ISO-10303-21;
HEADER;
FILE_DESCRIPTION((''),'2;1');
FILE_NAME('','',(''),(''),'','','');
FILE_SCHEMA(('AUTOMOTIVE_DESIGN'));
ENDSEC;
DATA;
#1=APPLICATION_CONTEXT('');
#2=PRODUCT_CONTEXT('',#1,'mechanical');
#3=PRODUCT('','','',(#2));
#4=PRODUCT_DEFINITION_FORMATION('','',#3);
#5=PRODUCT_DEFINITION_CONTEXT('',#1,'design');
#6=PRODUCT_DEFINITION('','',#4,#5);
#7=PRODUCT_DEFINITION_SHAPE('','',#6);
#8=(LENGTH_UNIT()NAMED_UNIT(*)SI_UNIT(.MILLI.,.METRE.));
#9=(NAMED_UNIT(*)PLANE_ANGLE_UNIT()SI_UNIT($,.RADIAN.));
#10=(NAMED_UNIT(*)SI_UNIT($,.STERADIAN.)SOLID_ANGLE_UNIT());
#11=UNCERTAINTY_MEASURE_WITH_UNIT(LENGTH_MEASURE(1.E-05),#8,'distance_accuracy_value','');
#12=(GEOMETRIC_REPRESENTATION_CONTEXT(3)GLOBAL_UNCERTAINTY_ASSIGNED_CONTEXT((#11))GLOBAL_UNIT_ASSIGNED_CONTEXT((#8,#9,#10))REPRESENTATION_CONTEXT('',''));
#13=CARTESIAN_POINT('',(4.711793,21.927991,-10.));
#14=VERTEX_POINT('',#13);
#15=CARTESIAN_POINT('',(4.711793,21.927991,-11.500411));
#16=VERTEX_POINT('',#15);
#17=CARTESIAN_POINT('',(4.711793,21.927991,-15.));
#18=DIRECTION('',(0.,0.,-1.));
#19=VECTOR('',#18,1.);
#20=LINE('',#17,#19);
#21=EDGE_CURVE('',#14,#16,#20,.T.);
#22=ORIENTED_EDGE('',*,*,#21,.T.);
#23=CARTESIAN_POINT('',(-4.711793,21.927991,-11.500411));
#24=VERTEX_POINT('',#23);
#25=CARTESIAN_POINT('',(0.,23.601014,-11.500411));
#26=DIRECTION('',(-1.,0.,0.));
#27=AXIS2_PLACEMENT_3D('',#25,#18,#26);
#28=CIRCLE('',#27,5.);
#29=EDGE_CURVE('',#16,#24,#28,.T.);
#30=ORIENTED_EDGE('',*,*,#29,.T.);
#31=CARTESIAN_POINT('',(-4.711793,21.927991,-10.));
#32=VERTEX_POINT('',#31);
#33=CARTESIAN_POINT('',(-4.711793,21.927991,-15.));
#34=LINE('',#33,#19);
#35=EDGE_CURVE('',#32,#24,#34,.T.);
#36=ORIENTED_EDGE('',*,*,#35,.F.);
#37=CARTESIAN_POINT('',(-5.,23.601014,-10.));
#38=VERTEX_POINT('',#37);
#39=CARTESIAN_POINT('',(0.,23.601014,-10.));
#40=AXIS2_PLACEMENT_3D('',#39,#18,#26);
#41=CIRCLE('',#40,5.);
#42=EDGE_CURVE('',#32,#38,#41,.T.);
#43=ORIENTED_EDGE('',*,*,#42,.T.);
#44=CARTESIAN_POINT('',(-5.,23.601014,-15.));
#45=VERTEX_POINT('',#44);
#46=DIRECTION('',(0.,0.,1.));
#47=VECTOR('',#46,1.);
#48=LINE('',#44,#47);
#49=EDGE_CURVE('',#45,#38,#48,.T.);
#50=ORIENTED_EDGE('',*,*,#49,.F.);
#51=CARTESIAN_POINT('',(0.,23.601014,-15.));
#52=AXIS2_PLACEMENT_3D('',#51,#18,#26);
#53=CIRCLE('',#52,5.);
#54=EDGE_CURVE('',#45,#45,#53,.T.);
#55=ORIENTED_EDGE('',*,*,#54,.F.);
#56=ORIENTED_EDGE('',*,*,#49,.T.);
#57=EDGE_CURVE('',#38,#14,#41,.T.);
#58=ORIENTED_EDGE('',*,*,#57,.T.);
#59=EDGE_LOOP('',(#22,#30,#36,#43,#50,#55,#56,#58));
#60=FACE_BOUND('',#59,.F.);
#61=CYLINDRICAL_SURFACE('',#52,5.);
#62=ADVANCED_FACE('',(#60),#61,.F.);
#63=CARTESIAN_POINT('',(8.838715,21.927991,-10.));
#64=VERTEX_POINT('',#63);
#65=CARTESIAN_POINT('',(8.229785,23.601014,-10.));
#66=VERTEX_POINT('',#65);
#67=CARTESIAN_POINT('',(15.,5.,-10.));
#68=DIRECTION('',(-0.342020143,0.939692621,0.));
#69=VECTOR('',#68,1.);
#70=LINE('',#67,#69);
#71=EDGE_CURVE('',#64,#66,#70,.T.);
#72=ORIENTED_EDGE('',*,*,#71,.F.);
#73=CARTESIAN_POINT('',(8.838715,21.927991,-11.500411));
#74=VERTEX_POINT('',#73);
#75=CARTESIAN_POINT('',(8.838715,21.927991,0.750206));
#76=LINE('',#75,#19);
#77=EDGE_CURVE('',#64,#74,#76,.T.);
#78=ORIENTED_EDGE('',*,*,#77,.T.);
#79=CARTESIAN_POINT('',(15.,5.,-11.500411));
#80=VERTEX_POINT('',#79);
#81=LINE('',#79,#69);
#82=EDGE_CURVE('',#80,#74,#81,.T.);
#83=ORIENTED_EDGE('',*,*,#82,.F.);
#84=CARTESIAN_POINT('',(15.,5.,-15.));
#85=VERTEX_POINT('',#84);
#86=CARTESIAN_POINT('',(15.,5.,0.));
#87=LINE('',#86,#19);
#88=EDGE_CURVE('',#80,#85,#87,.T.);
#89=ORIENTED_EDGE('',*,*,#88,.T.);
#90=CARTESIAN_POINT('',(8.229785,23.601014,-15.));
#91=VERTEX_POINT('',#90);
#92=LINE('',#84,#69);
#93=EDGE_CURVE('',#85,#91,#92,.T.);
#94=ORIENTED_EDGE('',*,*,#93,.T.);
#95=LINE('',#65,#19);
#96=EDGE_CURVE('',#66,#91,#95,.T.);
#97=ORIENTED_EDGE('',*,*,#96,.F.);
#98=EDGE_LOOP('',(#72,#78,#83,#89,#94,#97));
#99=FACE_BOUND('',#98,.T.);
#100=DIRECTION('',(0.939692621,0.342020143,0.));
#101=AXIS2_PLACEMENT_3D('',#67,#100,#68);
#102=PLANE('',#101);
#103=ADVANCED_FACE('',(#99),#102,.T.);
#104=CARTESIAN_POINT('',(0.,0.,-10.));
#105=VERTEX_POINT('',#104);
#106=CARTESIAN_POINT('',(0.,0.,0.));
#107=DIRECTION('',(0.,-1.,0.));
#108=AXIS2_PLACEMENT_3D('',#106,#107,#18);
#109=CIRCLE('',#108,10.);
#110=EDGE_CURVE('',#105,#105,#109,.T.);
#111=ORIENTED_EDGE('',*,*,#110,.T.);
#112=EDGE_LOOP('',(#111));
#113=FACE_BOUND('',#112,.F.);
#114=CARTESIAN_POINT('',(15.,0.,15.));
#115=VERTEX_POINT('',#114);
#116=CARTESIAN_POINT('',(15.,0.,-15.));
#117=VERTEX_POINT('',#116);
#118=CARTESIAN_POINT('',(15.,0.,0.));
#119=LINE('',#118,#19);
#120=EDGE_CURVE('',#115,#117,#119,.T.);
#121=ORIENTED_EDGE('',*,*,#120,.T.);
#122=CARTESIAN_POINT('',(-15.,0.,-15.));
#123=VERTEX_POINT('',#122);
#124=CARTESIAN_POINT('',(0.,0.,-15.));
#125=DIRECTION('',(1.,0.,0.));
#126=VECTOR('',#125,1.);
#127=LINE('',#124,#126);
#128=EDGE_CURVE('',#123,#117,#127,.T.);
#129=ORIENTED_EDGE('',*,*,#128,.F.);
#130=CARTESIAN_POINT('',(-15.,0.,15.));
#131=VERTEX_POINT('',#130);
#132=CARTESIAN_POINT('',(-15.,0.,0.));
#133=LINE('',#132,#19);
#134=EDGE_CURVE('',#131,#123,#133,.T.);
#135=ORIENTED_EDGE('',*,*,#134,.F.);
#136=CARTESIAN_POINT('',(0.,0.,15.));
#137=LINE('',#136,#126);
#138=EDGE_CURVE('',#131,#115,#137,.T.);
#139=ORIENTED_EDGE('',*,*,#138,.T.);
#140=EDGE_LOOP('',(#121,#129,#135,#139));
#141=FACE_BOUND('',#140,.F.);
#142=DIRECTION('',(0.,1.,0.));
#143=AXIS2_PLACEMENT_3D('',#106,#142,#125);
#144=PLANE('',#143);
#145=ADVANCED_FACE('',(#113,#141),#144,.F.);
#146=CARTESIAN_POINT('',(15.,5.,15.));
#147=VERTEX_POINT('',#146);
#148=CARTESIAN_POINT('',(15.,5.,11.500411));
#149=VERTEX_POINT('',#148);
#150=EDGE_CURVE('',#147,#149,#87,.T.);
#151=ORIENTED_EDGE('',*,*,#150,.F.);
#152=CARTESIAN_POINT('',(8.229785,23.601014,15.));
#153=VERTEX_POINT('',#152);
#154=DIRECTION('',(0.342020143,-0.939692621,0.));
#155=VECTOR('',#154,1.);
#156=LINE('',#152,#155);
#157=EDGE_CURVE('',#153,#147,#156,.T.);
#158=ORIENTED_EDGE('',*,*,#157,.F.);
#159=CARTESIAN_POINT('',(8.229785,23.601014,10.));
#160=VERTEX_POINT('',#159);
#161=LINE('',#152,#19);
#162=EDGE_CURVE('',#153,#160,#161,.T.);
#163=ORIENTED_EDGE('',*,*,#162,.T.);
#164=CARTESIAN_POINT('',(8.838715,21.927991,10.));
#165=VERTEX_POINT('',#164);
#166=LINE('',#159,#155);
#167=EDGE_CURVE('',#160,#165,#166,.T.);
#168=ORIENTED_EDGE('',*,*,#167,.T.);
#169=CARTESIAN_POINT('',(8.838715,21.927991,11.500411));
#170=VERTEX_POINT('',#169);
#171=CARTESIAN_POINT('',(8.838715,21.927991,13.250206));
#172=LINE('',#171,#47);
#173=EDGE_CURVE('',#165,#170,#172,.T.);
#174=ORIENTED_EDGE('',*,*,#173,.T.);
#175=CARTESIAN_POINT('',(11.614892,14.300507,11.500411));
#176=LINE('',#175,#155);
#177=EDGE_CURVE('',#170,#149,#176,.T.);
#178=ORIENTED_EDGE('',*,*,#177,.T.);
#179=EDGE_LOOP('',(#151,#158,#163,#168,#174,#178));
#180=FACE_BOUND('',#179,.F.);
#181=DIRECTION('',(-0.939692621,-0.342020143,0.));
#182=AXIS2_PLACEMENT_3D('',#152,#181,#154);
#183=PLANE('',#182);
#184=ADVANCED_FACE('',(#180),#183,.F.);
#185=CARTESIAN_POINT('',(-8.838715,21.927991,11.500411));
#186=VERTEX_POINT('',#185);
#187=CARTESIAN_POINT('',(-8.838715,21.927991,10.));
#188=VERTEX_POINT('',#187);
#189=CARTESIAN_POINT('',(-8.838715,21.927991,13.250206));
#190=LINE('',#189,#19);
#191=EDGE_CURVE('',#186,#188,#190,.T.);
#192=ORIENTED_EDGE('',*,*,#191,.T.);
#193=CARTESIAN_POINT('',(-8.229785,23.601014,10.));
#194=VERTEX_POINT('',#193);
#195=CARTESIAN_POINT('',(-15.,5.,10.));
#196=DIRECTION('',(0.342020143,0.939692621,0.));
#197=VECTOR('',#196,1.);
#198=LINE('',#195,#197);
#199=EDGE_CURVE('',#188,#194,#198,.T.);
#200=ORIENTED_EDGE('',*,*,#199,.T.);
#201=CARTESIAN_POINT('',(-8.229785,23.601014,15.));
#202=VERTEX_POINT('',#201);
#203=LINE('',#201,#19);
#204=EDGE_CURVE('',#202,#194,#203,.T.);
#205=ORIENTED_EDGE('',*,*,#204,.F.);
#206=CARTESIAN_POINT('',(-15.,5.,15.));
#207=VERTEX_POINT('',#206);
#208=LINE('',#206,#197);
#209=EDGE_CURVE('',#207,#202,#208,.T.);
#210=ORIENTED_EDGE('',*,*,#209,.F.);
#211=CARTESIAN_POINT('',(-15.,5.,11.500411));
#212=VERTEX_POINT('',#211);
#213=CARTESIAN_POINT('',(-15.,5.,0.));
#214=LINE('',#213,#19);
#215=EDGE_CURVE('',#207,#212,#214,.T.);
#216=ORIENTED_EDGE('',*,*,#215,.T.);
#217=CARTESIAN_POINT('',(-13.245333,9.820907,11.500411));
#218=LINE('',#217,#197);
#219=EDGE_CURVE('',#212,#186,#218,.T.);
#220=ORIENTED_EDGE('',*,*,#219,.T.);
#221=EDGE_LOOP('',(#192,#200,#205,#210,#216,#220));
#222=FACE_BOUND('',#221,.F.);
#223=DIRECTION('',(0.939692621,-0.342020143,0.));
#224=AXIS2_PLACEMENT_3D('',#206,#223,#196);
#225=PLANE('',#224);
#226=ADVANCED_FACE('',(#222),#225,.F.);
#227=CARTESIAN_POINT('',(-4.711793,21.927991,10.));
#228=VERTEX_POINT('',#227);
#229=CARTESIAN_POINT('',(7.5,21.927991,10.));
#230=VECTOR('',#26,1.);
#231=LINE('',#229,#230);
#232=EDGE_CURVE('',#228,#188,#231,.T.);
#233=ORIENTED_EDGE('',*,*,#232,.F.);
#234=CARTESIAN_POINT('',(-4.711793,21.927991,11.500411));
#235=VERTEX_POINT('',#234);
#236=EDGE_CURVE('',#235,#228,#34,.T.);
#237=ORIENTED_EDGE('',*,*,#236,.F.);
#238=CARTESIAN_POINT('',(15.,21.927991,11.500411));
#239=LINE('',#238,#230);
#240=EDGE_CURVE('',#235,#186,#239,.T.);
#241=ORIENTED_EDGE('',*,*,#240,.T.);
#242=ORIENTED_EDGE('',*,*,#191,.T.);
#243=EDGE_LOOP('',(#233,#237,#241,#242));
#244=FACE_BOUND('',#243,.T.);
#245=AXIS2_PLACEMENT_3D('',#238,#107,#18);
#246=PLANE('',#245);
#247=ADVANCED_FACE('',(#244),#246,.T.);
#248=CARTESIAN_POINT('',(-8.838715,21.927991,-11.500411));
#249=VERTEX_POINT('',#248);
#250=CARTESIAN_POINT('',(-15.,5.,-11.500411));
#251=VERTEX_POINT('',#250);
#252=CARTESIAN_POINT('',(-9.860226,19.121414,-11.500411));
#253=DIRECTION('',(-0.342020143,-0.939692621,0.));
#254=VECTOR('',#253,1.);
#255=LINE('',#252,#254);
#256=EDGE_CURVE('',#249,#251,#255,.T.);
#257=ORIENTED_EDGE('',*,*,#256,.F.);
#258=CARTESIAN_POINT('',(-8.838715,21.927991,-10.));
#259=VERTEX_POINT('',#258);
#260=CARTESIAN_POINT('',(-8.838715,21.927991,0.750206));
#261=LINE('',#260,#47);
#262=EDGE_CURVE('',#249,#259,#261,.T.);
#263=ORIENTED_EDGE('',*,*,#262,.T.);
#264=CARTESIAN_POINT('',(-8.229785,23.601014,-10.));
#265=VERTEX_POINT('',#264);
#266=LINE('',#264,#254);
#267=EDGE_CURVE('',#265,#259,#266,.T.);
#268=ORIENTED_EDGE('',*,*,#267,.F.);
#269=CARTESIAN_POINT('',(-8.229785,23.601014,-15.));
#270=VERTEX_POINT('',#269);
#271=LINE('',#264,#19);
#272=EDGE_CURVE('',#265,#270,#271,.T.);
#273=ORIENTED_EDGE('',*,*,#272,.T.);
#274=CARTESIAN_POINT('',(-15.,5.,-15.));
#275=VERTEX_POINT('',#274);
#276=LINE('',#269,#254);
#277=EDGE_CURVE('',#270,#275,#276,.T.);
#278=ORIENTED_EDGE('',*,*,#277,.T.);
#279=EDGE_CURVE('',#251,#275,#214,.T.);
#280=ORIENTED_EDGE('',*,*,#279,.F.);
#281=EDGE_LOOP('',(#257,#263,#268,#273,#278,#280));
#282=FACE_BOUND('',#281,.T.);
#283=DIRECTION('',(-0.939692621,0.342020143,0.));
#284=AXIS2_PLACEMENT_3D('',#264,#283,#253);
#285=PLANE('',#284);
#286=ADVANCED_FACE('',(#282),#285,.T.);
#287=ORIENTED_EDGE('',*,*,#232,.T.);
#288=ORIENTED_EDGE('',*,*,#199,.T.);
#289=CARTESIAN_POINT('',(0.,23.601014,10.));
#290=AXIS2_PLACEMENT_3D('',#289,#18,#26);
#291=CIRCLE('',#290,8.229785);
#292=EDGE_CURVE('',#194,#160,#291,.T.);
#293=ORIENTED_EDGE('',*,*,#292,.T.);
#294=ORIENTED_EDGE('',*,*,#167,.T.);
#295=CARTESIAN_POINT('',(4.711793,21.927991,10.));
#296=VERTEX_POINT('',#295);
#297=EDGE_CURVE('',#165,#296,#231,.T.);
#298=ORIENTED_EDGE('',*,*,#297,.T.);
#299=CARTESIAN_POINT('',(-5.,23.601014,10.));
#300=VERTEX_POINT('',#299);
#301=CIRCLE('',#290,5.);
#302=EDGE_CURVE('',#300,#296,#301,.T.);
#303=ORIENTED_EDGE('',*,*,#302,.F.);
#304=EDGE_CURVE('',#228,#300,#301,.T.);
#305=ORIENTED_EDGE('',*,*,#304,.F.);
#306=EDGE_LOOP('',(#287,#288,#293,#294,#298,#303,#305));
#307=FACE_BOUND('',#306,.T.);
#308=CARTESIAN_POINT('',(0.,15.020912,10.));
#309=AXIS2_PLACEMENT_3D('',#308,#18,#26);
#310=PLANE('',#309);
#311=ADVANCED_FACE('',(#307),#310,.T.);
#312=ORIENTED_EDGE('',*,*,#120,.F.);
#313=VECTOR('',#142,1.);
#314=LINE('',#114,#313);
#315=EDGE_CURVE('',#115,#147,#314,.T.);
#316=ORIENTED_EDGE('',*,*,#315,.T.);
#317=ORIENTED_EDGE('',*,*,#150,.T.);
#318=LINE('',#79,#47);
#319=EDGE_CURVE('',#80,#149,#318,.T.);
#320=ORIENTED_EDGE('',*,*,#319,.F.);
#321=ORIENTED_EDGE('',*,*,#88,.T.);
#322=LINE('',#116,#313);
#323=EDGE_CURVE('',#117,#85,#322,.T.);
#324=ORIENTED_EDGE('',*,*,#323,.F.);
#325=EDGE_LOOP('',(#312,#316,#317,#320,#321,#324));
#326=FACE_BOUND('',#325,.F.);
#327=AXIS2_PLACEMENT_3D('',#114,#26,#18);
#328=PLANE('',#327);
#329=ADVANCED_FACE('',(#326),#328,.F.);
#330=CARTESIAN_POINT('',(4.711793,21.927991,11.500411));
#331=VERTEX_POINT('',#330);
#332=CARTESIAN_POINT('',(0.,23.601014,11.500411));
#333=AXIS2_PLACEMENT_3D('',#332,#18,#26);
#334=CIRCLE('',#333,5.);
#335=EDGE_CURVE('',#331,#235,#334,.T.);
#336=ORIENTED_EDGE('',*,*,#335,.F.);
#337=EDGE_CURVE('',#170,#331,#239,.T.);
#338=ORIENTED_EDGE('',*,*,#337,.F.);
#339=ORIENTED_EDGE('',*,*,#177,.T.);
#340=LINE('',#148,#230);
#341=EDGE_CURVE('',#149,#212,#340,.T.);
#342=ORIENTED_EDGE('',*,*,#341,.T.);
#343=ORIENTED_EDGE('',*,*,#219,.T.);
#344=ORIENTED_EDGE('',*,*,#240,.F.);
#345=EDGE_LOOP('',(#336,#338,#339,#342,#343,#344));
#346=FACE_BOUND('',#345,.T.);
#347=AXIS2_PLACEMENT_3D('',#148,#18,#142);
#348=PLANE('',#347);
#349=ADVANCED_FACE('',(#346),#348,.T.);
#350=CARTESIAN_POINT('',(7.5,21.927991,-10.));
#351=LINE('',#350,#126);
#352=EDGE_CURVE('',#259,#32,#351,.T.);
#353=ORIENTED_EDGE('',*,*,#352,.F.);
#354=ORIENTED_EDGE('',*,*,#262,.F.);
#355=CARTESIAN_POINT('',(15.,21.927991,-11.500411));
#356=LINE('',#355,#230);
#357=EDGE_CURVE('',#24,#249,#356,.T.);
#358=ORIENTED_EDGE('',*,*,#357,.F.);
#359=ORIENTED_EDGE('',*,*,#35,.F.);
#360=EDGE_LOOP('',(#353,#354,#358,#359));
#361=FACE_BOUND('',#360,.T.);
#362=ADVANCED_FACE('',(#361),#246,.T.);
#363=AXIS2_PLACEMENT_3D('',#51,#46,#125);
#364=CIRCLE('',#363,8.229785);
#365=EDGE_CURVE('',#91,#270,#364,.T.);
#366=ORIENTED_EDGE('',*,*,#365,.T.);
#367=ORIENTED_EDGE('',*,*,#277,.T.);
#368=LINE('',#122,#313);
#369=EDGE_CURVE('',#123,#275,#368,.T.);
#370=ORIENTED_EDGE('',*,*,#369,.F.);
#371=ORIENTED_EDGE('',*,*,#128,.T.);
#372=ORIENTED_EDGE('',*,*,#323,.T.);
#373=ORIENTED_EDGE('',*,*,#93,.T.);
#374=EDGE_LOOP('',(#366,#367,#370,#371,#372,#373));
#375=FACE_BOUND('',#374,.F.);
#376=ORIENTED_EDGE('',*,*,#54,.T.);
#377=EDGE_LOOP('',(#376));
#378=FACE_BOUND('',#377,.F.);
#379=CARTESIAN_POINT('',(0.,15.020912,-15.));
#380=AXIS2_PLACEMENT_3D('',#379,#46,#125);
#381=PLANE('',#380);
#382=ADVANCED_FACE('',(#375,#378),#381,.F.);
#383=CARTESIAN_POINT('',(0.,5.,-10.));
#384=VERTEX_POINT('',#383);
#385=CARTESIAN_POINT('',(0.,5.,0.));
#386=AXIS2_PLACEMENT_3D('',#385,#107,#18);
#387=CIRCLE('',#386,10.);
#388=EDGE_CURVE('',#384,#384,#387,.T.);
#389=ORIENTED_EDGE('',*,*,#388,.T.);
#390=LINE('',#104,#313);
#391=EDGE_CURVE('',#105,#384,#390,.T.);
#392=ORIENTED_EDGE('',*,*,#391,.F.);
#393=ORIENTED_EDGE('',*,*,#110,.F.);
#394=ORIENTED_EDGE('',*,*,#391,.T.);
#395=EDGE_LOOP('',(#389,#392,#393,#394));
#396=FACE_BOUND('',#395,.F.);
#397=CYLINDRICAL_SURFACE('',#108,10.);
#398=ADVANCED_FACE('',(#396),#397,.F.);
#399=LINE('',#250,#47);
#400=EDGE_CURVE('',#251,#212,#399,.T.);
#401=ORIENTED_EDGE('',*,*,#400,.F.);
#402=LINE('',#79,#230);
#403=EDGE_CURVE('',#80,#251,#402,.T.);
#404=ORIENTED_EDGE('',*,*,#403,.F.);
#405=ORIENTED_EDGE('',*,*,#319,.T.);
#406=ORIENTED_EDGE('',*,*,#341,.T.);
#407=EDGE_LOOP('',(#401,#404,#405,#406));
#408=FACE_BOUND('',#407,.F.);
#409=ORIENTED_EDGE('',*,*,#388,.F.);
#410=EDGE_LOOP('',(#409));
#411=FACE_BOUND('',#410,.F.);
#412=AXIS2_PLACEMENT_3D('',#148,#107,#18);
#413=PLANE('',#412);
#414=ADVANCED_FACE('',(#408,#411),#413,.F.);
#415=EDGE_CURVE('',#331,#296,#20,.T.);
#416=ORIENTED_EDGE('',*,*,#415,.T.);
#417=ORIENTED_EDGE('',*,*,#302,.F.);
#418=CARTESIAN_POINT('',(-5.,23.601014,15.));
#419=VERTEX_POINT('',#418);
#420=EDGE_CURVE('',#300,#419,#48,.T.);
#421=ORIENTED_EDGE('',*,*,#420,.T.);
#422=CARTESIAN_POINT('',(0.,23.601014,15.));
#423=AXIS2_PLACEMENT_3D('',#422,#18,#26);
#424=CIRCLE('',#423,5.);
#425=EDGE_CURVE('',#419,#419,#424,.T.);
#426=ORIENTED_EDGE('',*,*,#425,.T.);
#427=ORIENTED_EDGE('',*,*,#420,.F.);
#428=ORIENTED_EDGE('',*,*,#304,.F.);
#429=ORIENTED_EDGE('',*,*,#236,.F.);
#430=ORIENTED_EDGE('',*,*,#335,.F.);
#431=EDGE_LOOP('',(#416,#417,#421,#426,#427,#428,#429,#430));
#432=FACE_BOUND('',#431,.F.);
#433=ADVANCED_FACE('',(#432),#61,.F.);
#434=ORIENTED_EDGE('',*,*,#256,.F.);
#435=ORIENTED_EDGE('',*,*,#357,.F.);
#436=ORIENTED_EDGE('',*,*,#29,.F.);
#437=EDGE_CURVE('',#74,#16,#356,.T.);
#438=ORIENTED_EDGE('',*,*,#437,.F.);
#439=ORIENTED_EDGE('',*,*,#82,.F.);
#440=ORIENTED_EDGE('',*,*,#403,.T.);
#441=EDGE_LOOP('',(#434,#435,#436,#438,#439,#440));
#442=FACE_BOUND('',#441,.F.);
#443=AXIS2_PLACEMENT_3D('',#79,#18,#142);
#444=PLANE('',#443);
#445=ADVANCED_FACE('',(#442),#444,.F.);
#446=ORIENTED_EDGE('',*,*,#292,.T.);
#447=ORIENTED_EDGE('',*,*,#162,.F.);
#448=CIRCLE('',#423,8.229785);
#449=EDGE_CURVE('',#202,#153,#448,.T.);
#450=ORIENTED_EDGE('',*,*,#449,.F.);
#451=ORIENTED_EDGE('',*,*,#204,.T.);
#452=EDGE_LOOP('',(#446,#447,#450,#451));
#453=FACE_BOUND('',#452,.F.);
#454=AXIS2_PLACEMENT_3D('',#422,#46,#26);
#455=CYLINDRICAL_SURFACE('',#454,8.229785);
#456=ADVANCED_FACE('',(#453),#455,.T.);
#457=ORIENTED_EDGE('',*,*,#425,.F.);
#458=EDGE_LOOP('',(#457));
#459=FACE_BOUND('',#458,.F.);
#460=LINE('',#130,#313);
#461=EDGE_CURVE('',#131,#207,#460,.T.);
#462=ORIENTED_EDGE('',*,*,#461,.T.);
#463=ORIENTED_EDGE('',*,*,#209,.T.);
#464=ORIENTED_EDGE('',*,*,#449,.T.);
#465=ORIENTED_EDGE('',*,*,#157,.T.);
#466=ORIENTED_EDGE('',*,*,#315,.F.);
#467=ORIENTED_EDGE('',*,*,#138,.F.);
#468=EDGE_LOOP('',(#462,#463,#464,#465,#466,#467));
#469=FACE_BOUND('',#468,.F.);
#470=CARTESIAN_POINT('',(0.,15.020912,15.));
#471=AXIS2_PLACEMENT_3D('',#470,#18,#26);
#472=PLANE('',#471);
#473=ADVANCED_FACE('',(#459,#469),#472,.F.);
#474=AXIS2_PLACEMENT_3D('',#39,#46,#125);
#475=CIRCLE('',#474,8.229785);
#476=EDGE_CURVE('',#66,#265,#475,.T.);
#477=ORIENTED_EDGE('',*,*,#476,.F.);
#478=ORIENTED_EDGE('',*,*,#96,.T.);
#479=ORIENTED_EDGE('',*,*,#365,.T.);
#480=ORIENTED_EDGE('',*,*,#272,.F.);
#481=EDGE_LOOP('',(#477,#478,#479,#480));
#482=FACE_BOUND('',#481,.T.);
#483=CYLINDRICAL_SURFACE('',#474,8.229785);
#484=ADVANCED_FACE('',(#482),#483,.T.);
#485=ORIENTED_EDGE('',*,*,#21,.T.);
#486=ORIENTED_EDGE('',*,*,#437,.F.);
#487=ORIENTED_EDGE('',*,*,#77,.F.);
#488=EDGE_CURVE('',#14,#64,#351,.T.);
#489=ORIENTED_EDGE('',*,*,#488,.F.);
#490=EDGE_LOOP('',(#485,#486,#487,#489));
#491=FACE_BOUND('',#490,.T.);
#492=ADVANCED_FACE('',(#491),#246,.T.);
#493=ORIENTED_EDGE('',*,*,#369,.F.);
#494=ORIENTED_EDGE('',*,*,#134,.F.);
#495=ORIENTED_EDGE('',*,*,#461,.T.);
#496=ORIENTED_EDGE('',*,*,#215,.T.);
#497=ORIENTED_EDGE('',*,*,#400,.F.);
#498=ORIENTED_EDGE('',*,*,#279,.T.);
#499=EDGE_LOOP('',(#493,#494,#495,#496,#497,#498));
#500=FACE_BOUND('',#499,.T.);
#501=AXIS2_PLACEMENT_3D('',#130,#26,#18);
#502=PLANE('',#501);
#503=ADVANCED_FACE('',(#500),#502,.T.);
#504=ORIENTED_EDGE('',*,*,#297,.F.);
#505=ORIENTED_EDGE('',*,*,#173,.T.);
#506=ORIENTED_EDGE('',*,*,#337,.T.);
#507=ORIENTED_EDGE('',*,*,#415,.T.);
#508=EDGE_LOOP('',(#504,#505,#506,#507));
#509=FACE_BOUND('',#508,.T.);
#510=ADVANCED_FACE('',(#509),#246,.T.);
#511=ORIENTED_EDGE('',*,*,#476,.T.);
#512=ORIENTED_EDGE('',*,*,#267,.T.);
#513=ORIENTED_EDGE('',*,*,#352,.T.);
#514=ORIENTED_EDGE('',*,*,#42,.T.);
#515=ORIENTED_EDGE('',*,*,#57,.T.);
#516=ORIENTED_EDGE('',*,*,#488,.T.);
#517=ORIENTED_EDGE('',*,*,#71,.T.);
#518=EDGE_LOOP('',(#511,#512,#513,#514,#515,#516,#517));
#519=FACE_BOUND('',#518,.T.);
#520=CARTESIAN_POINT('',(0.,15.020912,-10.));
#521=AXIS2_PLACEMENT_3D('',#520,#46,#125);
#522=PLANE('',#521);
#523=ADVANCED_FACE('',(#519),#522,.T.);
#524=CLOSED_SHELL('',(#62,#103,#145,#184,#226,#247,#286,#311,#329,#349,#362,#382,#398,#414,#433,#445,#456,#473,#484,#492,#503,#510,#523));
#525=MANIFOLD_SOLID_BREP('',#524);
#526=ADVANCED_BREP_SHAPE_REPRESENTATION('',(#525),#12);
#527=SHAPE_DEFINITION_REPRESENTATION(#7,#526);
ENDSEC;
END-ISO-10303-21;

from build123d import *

# Parameters (mm, degrees)
SKETCH1_W           = 30
SKETCH1_H           = 30
BOSS_EXTRUDE1_DEPTH = 5
BOSS_EXTRUDE2_DEPTH = 5
BOSS_EXTRUDE3_START = -5
BOSS_EXTRUDE3_DEPTH = 5
SKETCH6_R           = 5
CUT_EXTRUDE1_DEPTH  = 38
SKETCH7_R           = 10
CUT_EXTRUDE2_DEPTH  = 5
SKETCH8_W           = 23.0008229
SKETCH8_H           = 16.927991413
CUT_EXTRUDE3_DEPTH  = 30


with BuildPart() as part:
    # Sketch1 → Boss-Extrude1 (new body)
    with BuildSketch(Plane(origin=(0, 0, 0), x_dir=(1, 0, 0), z_dir=(0, 1, 0))):
        Rectangle(SKETCH1_W, SKETCH1_H)
    extrude(amount=BOSS_EXTRUDE1_DEPTH)

    # Sketch3 → Boss-Extrude2 (add)
    with BuildSketch(Plane.XY.offset(15)):
        with BuildLine():
            Line((-15, 5), (-8.229784678, 23.601013721))
            ThreePointArc((-8.229784678, 23.601013721), (0, 31.830798399), (8.229784678, 23.601013721))
            Line((8.229784678, 23.601013721), (15, 5))
            Line((15, 5), (-15, 5))
        make_face()
    extrude(amount=-BOSS_EXTRUDE2_DEPTH)

    # Sketch5 → Boss-Extrude3 (add)
    with BuildSketch(Plane(origin=(0, 0, -15), x_dir=(-1, 0, 0), z_dir=(0, 0, -1)).offset(BOSS_EXTRUDE3_START)):
        with BuildLine():
            Line((-15, 5), (-8.229784678, 23.601013721))
            ThreePointArc((-8.229784678, 23.601013721), (0, 31.830798399), (8.229784678, 23.601013721))
            Line((8.229784678, 23.601013721), (15, 5))
            Line((15, 5), (-15, 5))
        make_face()
    extrude(amount=BOSS_EXTRUDE3_DEPTH)

    # Sketch6 → Cut-Extrude1 (cut)
    with BuildSketch(Plane(origin=(0, 0, -15), x_dir=(-1, 0, 0), z_dir=(0, 0, -1))):
        with Locations((0, 23.601013721)):
            Circle(SKETCH6_R)
    extrude(amount=-CUT_EXTRUDE1_DEPTH, mode=Mode.SUBTRACT)

    # Sketch7 → Cut-Extrude2 (cut)
    with BuildSketch(Plane.XZ):
        with Locations(Location((0, 0, 0), (0, 0, 270))):
            Circle(SKETCH7_R)
    extrude(amount=-CUT_EXTRUDE2_DEPTH, mode=Mode.SUBTRACT)

    # Sketch8 → Cut-Extrude3 (cut)
    with BuildSketch(Plane(origin=(15, 0, 0), x_dir=(0, 0, -1), z_dir=(1, 0, 0))):
        with Locations((0, 13.463995707)):
            Rectangle(SKETCH8_W, SKETCH8_H)
    extrude(amount=-CUT_EXTRUDE3_DEPTH, mode=Mode.SUBTRACT)


solid = part.part
